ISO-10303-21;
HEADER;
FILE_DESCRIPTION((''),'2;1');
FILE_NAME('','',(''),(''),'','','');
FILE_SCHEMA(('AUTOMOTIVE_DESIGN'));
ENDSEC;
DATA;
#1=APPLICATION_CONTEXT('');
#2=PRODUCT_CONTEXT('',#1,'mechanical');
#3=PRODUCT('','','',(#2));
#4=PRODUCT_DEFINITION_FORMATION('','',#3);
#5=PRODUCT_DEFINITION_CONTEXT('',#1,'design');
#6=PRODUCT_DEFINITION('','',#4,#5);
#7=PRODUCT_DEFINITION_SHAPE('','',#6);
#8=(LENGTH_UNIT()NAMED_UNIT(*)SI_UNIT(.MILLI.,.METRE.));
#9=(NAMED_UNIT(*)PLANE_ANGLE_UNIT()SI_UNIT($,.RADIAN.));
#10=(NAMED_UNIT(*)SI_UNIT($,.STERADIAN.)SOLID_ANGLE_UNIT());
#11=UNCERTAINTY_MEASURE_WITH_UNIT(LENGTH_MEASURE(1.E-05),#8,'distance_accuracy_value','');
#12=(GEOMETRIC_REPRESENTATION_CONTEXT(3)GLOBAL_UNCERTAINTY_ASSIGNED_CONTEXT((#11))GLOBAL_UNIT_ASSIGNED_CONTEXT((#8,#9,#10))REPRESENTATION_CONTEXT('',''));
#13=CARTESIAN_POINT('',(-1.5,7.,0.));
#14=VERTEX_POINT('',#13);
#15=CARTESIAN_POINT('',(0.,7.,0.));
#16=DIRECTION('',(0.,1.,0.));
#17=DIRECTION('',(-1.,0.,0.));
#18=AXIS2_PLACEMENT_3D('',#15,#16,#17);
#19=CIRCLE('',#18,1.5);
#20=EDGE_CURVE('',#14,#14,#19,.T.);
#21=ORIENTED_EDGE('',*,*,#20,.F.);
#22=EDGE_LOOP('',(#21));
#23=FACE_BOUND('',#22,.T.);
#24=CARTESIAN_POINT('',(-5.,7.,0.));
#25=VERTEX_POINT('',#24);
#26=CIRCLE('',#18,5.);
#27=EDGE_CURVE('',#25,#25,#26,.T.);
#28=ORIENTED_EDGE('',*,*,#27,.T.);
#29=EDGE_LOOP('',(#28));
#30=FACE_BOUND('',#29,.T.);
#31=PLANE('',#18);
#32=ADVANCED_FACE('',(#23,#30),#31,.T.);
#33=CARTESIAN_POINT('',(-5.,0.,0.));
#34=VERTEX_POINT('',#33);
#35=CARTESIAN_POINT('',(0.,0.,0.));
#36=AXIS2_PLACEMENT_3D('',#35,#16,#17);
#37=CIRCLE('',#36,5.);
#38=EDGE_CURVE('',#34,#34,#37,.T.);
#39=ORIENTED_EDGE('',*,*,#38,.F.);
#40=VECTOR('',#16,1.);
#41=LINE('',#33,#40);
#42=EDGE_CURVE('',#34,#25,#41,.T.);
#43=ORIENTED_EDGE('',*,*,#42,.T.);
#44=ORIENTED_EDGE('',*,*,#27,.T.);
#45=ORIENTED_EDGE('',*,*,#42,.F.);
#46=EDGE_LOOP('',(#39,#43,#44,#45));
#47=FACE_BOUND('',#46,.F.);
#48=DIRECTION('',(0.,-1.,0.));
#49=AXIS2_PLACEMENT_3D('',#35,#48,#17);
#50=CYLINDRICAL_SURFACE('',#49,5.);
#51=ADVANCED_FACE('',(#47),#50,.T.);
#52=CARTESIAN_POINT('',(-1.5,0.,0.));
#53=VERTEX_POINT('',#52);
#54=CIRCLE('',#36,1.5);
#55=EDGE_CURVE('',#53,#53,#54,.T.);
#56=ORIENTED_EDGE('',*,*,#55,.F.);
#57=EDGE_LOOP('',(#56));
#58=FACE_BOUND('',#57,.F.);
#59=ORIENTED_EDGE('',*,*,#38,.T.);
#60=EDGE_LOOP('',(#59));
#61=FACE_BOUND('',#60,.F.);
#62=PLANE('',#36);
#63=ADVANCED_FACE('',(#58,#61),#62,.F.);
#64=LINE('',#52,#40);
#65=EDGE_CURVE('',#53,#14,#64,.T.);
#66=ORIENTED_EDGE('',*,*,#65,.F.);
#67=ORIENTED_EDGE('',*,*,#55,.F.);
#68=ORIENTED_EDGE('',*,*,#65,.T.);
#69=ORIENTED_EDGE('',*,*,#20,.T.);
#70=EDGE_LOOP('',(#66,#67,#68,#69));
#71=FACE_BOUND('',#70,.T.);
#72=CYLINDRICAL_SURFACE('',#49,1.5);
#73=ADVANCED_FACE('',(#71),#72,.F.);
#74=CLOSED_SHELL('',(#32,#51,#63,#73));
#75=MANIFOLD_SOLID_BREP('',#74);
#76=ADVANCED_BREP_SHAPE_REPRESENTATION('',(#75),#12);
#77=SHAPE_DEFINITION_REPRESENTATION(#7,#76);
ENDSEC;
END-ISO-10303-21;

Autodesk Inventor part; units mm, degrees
ref_plane "YZ Plane" through (0, 0, 0) normal (1, 0, 0) x (0, 1, 0)
ref_plane "XZ Plane" through (0, 0, 0) normal (0, 1, 0) x (-1, 0, 0)
ref_plane "XY Plane" through (0, 0, 0) normal (0, 0, 1) x (1, 0, 0)
sketch "Sketch1" plane through (0, 0, 0) normal (0, 1, 0) x (-1, 0, 0)
  circle A0 centre (0, 0) radius 1.5
  circle A1 centre (0, 0) radius 5
  dimension "d0" = 3
  dimension "d1" = 10
extrude "Extrusion1" add sketch "Sketch1" along normal blind 7
properties part number "YAxisMotorBearingSpacerRightUpper" material "ABS Plastic"
